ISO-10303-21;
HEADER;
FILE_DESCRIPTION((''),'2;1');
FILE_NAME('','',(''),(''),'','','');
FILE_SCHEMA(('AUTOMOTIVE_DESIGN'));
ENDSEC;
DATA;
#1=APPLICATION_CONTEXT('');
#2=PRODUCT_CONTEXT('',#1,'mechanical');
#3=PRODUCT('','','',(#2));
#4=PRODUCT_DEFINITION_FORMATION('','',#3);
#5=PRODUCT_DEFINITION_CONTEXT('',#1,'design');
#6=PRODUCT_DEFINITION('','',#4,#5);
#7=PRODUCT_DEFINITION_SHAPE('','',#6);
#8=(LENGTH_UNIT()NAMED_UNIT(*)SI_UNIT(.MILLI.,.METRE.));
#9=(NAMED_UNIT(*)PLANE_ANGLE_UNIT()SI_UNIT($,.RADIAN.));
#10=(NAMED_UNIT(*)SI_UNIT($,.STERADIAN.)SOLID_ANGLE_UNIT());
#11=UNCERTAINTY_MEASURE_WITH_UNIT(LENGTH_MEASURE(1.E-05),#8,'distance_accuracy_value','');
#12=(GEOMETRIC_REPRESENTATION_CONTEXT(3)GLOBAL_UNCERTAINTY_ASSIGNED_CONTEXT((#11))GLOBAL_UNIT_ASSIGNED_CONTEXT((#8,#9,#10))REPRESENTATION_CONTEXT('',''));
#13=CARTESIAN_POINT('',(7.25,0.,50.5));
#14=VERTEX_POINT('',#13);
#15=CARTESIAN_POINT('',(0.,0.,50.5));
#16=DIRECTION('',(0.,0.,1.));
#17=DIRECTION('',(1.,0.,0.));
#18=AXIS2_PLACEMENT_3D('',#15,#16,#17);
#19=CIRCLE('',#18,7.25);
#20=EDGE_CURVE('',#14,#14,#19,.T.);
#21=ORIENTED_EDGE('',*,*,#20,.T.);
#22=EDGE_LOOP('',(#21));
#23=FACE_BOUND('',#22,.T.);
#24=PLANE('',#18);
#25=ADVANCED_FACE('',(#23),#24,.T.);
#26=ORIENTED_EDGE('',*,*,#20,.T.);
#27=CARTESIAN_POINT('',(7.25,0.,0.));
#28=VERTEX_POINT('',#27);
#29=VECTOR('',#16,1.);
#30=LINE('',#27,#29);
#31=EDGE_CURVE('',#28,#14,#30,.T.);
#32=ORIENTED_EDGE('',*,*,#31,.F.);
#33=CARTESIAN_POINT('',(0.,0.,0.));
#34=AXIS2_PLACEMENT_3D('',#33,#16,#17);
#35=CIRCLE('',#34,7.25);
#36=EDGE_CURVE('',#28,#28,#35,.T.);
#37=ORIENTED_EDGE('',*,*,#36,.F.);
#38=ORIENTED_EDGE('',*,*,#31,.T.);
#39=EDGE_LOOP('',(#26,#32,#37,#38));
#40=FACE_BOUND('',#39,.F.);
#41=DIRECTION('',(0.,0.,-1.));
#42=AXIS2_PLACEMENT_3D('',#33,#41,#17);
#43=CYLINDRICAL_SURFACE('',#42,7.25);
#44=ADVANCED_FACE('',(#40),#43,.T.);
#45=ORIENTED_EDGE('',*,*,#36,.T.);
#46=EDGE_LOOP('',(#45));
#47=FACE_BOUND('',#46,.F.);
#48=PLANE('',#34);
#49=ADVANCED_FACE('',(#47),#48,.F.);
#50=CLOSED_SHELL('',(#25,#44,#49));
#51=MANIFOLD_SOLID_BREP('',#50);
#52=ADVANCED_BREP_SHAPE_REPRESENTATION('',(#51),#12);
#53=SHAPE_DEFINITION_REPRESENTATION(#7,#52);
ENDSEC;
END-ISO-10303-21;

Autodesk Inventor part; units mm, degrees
ref_plane "YZ Plane" through (0, 0, 0) normal (1, 0, 0) x (0, 1, 0)
ref_plane "XZ Plane" through (0, 0, 0) normal (0, 1, 0) x (-1, 0, 0)
ref_plane "XY Plane" through (0, 0, 0) normal (0, 0, 1) x (1, 0, 0)
sketch "スケッチ1" plane through (0, 0, 0) normal (0, 0, 1) x (1, 0, 0)
  circle A0 centre (0, 0) radius 7.25
  dimension "d0" = 14.5
extrude "押し出し1" add sketch "スケッチ1" along normal blind 50.5
properties part number "battery_R6"
